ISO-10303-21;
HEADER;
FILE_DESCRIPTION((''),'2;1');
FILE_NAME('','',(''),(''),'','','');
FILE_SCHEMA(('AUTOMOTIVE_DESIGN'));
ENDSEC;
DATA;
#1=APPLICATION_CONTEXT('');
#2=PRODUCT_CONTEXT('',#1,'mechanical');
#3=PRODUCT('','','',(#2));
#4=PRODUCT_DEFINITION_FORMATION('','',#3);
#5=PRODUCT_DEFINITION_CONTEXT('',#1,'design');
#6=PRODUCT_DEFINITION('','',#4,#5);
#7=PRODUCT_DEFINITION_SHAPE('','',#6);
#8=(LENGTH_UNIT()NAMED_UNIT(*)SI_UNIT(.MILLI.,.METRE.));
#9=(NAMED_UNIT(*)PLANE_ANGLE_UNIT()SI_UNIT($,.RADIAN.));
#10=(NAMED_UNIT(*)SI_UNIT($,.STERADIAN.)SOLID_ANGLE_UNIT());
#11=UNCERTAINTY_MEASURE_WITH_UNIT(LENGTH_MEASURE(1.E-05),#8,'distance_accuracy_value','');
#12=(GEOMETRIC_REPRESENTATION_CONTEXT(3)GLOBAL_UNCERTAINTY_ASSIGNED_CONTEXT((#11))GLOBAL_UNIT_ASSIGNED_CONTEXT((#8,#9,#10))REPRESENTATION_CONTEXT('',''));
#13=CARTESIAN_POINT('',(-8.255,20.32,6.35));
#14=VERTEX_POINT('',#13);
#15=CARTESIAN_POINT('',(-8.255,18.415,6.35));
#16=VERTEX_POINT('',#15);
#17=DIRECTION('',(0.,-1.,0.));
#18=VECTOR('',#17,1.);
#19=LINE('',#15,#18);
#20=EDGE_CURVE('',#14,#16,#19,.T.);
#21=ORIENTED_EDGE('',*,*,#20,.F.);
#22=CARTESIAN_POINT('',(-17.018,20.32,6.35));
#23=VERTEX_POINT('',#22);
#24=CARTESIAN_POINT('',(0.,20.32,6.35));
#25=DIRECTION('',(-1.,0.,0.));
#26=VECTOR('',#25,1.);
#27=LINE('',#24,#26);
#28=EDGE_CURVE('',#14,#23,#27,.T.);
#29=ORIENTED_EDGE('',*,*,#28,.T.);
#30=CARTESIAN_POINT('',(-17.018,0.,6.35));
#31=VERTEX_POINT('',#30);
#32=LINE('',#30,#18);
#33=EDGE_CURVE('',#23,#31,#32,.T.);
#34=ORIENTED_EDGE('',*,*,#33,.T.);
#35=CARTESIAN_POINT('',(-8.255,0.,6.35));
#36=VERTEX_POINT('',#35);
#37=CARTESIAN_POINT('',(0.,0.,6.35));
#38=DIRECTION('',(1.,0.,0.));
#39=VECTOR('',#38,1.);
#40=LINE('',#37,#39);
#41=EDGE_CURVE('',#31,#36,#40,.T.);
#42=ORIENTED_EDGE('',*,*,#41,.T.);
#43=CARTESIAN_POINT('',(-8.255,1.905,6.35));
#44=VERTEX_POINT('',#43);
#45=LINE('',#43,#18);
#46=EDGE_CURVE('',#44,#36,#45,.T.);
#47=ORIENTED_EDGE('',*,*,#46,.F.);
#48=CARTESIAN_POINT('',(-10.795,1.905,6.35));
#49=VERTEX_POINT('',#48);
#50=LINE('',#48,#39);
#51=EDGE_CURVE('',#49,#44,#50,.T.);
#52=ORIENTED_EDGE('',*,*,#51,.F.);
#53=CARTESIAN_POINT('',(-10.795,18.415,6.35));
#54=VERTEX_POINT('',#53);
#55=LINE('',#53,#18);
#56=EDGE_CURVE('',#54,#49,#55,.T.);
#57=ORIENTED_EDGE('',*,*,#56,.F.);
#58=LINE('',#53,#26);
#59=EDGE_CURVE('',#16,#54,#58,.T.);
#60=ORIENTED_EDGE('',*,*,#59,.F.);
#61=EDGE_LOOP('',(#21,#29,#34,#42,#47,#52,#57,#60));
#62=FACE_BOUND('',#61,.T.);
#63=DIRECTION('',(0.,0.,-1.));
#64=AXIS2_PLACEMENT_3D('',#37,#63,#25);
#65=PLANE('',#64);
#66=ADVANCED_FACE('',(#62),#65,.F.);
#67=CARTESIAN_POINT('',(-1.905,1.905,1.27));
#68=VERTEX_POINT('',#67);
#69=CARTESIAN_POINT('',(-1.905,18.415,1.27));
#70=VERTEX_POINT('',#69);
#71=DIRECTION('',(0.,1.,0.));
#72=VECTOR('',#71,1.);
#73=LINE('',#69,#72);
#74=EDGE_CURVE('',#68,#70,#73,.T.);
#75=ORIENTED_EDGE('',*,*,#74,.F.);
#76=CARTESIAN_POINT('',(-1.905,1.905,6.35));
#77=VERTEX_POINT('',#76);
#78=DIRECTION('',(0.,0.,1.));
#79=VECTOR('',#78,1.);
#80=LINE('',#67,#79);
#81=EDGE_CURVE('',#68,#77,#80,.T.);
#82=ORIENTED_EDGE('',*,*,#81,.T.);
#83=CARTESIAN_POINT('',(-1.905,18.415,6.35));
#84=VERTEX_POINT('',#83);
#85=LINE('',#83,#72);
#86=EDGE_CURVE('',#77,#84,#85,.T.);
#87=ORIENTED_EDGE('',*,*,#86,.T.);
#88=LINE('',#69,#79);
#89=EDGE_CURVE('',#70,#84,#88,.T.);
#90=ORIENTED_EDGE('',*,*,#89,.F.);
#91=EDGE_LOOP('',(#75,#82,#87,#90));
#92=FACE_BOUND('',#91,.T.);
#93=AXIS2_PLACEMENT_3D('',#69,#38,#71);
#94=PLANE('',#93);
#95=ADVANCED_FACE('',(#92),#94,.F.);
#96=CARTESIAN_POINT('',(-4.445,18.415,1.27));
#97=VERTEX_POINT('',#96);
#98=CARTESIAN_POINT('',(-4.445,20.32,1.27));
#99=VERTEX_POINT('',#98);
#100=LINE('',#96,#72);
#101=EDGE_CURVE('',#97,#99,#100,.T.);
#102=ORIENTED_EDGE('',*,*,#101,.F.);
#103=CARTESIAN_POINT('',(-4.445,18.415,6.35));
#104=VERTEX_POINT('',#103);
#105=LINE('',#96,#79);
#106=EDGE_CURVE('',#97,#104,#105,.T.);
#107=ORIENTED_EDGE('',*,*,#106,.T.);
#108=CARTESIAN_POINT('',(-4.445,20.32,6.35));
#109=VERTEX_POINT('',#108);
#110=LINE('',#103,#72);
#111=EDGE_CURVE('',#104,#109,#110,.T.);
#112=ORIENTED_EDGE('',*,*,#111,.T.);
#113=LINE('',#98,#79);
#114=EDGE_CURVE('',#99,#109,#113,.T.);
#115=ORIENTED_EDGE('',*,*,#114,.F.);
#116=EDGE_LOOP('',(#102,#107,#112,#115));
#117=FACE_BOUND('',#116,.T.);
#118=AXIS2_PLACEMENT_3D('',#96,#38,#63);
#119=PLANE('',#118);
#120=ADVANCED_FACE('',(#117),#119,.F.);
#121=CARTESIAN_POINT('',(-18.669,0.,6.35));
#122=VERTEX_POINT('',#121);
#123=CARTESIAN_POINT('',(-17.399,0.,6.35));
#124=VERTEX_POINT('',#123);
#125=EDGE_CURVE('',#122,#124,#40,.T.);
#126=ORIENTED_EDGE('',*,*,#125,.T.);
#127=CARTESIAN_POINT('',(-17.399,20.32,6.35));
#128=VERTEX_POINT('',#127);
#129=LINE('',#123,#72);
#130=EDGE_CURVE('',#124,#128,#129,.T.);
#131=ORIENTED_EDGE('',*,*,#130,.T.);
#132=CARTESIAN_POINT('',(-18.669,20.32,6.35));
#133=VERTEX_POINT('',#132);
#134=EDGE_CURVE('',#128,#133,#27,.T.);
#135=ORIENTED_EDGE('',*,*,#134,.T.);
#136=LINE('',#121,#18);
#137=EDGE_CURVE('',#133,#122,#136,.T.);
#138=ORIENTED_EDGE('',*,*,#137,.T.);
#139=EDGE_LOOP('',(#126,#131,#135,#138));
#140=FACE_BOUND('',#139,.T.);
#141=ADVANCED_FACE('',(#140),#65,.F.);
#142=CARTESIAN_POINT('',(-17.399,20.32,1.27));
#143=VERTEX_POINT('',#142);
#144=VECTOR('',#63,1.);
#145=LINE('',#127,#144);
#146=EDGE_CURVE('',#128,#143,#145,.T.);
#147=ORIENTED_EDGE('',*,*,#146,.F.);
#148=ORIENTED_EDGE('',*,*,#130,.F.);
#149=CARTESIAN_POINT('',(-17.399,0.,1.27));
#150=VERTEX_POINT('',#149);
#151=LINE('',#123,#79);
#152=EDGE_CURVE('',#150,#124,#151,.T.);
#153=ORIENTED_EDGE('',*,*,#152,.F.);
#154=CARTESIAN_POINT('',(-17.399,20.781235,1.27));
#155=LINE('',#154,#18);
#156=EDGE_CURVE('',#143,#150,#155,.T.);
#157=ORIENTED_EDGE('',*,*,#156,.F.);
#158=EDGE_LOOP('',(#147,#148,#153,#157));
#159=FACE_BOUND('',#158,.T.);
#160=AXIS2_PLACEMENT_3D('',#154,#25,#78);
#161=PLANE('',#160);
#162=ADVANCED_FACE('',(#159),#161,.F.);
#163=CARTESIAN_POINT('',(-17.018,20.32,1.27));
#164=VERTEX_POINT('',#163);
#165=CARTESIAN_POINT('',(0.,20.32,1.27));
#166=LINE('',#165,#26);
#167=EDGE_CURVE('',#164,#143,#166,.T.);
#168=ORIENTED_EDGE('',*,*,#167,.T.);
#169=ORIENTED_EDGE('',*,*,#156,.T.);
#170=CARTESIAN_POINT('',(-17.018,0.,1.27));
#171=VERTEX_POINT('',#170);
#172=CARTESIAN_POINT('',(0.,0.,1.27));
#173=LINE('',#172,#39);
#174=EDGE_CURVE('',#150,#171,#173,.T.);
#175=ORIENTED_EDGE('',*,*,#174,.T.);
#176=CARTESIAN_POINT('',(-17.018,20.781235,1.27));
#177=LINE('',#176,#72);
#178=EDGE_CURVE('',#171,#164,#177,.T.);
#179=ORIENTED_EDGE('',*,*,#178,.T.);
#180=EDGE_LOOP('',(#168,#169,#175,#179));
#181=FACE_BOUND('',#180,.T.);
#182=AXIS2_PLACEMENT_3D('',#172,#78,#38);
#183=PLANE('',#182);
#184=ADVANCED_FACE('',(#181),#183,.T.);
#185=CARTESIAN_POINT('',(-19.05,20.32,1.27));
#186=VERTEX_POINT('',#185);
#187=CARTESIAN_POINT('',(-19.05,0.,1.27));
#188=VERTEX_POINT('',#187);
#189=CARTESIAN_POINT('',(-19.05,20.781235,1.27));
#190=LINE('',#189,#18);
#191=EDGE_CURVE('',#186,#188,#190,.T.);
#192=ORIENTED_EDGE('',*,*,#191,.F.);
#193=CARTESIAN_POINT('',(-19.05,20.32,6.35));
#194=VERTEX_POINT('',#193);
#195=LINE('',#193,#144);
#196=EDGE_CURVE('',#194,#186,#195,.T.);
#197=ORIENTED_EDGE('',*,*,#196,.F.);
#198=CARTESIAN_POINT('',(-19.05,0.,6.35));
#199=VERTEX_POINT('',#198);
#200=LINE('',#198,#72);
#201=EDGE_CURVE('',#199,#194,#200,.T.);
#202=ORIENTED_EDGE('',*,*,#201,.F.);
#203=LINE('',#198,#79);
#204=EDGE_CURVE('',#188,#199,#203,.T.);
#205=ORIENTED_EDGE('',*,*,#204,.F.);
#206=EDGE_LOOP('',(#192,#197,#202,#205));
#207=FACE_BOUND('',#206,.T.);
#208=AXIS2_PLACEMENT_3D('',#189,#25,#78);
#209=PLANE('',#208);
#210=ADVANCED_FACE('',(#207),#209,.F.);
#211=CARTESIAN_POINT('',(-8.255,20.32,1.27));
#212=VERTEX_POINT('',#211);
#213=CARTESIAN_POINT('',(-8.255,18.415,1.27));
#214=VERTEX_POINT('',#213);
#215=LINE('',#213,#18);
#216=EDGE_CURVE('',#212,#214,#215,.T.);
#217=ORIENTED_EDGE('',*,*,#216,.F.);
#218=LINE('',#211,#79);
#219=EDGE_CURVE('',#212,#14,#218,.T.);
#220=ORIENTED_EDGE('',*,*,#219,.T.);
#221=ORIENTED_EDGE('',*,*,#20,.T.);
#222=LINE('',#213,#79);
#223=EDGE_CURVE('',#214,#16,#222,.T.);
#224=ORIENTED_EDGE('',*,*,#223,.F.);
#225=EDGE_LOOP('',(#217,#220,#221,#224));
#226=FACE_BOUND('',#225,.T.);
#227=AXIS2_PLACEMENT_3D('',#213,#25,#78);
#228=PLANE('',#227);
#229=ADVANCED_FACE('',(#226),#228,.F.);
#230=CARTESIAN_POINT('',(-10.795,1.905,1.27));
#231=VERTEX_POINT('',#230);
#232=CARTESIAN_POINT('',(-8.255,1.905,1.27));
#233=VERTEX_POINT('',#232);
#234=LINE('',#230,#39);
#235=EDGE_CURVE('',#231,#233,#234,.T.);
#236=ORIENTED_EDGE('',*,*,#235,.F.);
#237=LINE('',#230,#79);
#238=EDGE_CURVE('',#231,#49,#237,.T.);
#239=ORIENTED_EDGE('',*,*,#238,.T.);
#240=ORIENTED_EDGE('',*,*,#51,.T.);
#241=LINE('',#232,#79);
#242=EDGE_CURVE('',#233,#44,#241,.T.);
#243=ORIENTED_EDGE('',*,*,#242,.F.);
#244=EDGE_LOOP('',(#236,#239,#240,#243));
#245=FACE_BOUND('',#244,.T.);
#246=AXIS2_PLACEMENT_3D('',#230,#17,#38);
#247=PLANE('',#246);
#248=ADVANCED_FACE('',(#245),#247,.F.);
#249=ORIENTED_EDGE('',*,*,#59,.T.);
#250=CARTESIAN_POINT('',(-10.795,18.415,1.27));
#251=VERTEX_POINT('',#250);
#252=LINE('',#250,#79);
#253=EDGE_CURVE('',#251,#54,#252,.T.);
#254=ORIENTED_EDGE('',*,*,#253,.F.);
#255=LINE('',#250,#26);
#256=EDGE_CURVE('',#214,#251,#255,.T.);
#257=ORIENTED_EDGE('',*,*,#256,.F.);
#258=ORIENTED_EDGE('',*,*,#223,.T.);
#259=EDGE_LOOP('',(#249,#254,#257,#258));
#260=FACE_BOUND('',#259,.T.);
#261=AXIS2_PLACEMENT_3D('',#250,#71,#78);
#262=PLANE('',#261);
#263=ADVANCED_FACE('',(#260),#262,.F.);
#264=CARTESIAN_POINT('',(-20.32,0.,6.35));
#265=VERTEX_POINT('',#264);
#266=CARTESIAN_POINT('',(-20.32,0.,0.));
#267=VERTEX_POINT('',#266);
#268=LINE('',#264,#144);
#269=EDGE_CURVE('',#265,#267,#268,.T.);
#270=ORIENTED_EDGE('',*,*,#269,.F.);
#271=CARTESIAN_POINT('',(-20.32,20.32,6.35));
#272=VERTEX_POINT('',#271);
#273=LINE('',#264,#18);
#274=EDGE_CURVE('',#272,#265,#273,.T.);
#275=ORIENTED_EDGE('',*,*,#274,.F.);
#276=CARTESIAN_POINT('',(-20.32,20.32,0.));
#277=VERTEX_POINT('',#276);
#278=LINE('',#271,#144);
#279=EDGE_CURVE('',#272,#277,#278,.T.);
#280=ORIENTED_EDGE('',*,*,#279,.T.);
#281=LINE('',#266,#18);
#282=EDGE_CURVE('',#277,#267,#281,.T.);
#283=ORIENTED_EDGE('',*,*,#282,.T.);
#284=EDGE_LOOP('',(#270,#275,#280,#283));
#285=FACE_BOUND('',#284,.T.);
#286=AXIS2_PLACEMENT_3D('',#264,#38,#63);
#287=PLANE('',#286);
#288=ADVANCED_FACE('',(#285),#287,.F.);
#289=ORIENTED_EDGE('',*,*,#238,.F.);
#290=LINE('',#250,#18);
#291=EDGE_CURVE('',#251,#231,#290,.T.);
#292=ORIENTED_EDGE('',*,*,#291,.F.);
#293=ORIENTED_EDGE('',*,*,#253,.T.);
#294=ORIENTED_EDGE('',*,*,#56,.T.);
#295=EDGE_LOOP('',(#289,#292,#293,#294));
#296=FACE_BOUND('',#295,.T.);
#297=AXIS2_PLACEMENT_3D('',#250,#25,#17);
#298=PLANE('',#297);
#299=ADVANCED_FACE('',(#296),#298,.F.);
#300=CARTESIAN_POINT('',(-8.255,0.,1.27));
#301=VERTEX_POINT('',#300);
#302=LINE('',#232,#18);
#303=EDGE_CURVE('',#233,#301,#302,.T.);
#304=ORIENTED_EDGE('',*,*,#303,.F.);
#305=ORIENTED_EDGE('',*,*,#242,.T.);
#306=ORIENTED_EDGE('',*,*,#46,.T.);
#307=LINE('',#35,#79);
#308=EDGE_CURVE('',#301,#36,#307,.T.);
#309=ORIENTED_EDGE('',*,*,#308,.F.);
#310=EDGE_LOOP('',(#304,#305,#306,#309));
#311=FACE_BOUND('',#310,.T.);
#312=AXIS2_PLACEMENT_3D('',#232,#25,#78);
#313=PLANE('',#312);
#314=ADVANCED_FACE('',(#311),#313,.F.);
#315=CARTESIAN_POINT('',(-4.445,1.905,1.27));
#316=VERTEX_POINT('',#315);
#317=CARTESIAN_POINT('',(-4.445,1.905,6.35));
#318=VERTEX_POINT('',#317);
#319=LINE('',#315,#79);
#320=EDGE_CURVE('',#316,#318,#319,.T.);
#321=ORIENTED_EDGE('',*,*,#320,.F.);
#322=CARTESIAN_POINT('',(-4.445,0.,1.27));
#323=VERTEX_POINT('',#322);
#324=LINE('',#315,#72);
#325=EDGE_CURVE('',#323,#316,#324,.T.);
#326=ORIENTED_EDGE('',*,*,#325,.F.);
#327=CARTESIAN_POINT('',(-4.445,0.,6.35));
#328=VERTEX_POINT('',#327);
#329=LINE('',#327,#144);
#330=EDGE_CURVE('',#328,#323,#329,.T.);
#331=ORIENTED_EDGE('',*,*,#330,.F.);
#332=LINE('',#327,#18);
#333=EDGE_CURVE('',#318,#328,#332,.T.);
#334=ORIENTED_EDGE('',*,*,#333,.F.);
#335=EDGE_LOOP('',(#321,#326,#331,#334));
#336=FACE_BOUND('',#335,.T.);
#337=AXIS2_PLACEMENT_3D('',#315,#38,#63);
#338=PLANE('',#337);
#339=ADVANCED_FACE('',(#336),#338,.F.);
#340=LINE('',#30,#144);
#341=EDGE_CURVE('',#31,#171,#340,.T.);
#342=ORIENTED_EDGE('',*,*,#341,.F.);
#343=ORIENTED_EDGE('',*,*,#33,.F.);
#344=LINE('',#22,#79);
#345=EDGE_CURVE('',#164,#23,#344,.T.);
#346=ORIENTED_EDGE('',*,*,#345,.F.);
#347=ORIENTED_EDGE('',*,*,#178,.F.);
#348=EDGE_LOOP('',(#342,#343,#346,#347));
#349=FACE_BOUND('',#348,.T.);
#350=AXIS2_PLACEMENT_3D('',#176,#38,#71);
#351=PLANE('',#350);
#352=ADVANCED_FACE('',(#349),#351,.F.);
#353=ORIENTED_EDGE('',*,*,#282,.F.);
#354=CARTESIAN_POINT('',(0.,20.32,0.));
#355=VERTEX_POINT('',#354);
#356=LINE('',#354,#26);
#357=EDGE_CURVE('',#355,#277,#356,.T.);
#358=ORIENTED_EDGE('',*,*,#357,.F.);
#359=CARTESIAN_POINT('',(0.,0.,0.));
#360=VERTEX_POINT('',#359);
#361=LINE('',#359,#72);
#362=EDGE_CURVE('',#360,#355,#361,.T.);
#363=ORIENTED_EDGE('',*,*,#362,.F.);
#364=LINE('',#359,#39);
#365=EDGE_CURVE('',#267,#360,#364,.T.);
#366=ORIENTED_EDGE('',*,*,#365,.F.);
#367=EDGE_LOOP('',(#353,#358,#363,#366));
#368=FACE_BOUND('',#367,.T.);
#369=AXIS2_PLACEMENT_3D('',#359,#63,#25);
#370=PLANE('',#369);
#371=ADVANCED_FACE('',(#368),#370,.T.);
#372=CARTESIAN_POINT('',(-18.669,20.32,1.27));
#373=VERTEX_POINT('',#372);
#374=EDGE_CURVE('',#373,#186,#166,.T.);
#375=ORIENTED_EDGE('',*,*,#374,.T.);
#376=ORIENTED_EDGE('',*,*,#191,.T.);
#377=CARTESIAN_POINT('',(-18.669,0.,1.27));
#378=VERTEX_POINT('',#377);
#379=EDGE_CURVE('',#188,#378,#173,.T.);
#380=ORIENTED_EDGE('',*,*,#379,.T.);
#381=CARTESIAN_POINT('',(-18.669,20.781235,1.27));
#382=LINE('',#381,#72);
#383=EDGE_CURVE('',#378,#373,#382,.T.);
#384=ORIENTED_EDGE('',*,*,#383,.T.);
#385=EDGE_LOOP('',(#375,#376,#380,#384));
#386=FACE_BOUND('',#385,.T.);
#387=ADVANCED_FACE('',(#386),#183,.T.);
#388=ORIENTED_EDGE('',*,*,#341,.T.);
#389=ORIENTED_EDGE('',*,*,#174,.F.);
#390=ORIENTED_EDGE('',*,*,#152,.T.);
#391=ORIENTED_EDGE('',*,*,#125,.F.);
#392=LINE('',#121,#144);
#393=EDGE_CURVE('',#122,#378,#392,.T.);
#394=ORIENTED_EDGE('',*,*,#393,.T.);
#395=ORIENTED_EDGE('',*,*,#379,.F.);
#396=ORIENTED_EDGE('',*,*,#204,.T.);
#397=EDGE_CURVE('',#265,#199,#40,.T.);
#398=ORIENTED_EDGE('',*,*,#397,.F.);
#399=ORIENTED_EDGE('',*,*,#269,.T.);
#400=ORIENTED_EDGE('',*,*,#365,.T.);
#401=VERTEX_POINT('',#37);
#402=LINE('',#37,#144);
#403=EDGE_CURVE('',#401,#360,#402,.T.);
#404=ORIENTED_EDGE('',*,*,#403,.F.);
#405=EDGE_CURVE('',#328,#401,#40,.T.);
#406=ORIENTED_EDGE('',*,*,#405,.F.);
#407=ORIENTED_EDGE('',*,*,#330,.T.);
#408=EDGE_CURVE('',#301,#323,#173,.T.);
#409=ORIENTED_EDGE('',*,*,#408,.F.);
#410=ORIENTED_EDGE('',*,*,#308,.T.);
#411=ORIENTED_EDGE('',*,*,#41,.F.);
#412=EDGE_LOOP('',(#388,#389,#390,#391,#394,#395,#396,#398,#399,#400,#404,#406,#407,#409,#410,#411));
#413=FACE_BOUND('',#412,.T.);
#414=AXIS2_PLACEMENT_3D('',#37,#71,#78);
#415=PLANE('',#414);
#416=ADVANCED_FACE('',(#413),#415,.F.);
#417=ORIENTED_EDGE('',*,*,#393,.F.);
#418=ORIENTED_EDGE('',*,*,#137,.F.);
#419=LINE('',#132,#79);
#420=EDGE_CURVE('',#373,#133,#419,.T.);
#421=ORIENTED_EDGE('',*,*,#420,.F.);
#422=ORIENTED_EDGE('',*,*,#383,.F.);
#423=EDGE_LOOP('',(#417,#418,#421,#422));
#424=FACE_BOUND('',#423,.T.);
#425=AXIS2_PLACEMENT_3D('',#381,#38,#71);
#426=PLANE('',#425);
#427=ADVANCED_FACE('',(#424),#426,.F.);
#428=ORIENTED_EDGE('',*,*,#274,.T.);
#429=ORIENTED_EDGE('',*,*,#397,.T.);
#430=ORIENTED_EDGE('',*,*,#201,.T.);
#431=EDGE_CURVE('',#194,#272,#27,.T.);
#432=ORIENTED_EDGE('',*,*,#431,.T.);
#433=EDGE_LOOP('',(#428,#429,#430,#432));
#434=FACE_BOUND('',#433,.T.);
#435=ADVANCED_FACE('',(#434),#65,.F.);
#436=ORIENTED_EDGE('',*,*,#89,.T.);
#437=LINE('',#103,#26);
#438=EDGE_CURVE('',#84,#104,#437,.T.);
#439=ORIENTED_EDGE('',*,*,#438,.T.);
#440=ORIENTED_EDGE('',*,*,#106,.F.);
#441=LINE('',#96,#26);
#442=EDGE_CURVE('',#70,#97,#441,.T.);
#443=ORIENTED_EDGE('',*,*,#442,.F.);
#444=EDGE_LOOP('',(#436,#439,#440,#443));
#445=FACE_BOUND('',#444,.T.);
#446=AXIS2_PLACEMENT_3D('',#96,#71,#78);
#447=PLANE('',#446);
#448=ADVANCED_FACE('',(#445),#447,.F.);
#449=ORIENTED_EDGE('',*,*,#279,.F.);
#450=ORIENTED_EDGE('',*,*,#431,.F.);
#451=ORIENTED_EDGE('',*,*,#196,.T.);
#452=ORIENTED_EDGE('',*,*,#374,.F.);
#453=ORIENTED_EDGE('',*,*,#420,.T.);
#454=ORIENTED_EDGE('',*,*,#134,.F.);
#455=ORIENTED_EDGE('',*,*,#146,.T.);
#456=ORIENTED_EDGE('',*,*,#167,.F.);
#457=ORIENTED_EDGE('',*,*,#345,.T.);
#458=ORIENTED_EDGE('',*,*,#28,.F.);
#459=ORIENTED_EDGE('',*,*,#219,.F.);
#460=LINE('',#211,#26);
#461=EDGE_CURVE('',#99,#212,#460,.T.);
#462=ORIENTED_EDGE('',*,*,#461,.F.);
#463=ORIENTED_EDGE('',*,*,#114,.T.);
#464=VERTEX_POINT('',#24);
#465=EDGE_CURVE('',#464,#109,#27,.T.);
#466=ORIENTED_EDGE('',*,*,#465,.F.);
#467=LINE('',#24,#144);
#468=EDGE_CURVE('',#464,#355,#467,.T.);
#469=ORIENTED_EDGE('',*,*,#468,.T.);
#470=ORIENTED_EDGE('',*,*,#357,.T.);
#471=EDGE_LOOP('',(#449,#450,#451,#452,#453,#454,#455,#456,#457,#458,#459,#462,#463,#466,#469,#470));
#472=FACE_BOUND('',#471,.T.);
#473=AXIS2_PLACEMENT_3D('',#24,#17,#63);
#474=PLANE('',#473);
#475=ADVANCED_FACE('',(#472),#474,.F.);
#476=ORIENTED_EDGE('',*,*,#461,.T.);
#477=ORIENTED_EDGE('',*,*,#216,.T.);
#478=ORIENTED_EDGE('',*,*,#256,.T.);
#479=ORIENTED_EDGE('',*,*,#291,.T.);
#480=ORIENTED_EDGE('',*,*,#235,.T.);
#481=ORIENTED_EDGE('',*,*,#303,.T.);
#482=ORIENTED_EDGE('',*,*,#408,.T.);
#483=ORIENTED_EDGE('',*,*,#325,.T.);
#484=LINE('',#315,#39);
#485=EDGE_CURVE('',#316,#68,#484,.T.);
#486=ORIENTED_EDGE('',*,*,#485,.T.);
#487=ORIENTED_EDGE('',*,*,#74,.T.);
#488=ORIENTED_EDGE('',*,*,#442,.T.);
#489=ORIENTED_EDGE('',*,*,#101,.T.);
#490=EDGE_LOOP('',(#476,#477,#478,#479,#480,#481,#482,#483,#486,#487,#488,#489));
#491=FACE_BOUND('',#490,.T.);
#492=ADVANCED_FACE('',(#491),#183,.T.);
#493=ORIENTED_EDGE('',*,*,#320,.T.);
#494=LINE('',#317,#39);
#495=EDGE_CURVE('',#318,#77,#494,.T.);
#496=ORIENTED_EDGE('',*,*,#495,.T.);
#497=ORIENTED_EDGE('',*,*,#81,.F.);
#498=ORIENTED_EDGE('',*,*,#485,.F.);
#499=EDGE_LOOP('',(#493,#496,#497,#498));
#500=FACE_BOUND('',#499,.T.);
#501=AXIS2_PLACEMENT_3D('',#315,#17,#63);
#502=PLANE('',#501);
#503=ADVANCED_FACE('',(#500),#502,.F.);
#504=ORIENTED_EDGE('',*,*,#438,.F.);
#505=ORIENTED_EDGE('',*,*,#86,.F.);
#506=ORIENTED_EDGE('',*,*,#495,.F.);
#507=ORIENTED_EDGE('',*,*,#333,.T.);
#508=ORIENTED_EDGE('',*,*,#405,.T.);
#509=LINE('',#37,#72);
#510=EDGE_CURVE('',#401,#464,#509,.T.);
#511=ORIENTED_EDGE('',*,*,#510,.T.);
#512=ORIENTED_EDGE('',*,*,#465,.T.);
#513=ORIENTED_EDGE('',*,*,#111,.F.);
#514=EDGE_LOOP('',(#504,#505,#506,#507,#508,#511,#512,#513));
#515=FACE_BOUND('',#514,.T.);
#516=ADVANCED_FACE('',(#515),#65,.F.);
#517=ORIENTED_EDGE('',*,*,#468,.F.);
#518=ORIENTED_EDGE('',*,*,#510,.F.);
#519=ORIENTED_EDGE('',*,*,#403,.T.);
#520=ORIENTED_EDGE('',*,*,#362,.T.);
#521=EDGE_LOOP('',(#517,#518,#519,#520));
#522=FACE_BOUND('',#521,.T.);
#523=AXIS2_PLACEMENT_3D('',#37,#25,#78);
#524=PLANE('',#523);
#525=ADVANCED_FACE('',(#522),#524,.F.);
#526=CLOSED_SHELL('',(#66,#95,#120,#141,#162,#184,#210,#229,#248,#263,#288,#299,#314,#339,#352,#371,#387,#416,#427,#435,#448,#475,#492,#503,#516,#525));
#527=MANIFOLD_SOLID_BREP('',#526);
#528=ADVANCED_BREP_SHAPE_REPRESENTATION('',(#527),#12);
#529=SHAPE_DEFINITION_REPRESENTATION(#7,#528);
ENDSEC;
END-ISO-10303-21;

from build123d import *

# Parameters (mm, degrees)
SKETCH1_W           = 20.32
SKETCH1_H           = 20.32
BOSS_EXTRUDE1_DEPTH = 6.35
CUT_EXTRUDE1_DEPTH  = 5.08
SKETCH4_W           = 0.381
SKETCH4_H           = 21.648681081
CUT_EXTRUDE2_DEPTH  = 5.08


with BuildPart() as part:
    # Sketch1 → Boss-Extrude1 (new body)
    with BuildSketch(Plane(origin=(0, 0, 0), x_dir=(0, 1, 0), z_dir=(0, 0, 1))):
        with Locations((10.16, 10.16)):
            Rectangle(SKETCH1_W, SKETCH1_H)
    extrude(amount=BOSS_EXTRUDE1_DEPTH)

    # Sketch2 → Cut-Extrude1 (cut)
    with BuildSketch(Plane.XY.offset(6.35)):
        Polygon((-10.795, 18.415), (-8.255, 18.415), (-8.255, 20.32), (-4.445, 20.32), (-4.445, 18.415), (-1.905, 18.415), (-1.905, 1.905), (-4.445, 1.905), (-4.445, -0.532919187), (-8.255, -0.532919187), (-8.255, 1.905), (-10.795, 1.905), align=None)
    extrude(amount=-CUT_EXTRUDE1_DEPTH, mode=Mode.SUBTRACT)

    # Sketch4 → Cut-Extrude2 (cut)
    with BuildSketch(Plane.XY.offset(6.35)):
        with Locations((-18.8595, 9.956894273)):
            Rectangle(SKETCH4_W, SKETCH4_H)
        with Locations((-17.2085, 9.956894273)):
            Rectangle(SKETCH4_W, SKETCH4_H)
    extrude(amount=-CUT_EXTRUDE2_DEPTH, mode=Mode.SUBTRACT)


solid = part.part
